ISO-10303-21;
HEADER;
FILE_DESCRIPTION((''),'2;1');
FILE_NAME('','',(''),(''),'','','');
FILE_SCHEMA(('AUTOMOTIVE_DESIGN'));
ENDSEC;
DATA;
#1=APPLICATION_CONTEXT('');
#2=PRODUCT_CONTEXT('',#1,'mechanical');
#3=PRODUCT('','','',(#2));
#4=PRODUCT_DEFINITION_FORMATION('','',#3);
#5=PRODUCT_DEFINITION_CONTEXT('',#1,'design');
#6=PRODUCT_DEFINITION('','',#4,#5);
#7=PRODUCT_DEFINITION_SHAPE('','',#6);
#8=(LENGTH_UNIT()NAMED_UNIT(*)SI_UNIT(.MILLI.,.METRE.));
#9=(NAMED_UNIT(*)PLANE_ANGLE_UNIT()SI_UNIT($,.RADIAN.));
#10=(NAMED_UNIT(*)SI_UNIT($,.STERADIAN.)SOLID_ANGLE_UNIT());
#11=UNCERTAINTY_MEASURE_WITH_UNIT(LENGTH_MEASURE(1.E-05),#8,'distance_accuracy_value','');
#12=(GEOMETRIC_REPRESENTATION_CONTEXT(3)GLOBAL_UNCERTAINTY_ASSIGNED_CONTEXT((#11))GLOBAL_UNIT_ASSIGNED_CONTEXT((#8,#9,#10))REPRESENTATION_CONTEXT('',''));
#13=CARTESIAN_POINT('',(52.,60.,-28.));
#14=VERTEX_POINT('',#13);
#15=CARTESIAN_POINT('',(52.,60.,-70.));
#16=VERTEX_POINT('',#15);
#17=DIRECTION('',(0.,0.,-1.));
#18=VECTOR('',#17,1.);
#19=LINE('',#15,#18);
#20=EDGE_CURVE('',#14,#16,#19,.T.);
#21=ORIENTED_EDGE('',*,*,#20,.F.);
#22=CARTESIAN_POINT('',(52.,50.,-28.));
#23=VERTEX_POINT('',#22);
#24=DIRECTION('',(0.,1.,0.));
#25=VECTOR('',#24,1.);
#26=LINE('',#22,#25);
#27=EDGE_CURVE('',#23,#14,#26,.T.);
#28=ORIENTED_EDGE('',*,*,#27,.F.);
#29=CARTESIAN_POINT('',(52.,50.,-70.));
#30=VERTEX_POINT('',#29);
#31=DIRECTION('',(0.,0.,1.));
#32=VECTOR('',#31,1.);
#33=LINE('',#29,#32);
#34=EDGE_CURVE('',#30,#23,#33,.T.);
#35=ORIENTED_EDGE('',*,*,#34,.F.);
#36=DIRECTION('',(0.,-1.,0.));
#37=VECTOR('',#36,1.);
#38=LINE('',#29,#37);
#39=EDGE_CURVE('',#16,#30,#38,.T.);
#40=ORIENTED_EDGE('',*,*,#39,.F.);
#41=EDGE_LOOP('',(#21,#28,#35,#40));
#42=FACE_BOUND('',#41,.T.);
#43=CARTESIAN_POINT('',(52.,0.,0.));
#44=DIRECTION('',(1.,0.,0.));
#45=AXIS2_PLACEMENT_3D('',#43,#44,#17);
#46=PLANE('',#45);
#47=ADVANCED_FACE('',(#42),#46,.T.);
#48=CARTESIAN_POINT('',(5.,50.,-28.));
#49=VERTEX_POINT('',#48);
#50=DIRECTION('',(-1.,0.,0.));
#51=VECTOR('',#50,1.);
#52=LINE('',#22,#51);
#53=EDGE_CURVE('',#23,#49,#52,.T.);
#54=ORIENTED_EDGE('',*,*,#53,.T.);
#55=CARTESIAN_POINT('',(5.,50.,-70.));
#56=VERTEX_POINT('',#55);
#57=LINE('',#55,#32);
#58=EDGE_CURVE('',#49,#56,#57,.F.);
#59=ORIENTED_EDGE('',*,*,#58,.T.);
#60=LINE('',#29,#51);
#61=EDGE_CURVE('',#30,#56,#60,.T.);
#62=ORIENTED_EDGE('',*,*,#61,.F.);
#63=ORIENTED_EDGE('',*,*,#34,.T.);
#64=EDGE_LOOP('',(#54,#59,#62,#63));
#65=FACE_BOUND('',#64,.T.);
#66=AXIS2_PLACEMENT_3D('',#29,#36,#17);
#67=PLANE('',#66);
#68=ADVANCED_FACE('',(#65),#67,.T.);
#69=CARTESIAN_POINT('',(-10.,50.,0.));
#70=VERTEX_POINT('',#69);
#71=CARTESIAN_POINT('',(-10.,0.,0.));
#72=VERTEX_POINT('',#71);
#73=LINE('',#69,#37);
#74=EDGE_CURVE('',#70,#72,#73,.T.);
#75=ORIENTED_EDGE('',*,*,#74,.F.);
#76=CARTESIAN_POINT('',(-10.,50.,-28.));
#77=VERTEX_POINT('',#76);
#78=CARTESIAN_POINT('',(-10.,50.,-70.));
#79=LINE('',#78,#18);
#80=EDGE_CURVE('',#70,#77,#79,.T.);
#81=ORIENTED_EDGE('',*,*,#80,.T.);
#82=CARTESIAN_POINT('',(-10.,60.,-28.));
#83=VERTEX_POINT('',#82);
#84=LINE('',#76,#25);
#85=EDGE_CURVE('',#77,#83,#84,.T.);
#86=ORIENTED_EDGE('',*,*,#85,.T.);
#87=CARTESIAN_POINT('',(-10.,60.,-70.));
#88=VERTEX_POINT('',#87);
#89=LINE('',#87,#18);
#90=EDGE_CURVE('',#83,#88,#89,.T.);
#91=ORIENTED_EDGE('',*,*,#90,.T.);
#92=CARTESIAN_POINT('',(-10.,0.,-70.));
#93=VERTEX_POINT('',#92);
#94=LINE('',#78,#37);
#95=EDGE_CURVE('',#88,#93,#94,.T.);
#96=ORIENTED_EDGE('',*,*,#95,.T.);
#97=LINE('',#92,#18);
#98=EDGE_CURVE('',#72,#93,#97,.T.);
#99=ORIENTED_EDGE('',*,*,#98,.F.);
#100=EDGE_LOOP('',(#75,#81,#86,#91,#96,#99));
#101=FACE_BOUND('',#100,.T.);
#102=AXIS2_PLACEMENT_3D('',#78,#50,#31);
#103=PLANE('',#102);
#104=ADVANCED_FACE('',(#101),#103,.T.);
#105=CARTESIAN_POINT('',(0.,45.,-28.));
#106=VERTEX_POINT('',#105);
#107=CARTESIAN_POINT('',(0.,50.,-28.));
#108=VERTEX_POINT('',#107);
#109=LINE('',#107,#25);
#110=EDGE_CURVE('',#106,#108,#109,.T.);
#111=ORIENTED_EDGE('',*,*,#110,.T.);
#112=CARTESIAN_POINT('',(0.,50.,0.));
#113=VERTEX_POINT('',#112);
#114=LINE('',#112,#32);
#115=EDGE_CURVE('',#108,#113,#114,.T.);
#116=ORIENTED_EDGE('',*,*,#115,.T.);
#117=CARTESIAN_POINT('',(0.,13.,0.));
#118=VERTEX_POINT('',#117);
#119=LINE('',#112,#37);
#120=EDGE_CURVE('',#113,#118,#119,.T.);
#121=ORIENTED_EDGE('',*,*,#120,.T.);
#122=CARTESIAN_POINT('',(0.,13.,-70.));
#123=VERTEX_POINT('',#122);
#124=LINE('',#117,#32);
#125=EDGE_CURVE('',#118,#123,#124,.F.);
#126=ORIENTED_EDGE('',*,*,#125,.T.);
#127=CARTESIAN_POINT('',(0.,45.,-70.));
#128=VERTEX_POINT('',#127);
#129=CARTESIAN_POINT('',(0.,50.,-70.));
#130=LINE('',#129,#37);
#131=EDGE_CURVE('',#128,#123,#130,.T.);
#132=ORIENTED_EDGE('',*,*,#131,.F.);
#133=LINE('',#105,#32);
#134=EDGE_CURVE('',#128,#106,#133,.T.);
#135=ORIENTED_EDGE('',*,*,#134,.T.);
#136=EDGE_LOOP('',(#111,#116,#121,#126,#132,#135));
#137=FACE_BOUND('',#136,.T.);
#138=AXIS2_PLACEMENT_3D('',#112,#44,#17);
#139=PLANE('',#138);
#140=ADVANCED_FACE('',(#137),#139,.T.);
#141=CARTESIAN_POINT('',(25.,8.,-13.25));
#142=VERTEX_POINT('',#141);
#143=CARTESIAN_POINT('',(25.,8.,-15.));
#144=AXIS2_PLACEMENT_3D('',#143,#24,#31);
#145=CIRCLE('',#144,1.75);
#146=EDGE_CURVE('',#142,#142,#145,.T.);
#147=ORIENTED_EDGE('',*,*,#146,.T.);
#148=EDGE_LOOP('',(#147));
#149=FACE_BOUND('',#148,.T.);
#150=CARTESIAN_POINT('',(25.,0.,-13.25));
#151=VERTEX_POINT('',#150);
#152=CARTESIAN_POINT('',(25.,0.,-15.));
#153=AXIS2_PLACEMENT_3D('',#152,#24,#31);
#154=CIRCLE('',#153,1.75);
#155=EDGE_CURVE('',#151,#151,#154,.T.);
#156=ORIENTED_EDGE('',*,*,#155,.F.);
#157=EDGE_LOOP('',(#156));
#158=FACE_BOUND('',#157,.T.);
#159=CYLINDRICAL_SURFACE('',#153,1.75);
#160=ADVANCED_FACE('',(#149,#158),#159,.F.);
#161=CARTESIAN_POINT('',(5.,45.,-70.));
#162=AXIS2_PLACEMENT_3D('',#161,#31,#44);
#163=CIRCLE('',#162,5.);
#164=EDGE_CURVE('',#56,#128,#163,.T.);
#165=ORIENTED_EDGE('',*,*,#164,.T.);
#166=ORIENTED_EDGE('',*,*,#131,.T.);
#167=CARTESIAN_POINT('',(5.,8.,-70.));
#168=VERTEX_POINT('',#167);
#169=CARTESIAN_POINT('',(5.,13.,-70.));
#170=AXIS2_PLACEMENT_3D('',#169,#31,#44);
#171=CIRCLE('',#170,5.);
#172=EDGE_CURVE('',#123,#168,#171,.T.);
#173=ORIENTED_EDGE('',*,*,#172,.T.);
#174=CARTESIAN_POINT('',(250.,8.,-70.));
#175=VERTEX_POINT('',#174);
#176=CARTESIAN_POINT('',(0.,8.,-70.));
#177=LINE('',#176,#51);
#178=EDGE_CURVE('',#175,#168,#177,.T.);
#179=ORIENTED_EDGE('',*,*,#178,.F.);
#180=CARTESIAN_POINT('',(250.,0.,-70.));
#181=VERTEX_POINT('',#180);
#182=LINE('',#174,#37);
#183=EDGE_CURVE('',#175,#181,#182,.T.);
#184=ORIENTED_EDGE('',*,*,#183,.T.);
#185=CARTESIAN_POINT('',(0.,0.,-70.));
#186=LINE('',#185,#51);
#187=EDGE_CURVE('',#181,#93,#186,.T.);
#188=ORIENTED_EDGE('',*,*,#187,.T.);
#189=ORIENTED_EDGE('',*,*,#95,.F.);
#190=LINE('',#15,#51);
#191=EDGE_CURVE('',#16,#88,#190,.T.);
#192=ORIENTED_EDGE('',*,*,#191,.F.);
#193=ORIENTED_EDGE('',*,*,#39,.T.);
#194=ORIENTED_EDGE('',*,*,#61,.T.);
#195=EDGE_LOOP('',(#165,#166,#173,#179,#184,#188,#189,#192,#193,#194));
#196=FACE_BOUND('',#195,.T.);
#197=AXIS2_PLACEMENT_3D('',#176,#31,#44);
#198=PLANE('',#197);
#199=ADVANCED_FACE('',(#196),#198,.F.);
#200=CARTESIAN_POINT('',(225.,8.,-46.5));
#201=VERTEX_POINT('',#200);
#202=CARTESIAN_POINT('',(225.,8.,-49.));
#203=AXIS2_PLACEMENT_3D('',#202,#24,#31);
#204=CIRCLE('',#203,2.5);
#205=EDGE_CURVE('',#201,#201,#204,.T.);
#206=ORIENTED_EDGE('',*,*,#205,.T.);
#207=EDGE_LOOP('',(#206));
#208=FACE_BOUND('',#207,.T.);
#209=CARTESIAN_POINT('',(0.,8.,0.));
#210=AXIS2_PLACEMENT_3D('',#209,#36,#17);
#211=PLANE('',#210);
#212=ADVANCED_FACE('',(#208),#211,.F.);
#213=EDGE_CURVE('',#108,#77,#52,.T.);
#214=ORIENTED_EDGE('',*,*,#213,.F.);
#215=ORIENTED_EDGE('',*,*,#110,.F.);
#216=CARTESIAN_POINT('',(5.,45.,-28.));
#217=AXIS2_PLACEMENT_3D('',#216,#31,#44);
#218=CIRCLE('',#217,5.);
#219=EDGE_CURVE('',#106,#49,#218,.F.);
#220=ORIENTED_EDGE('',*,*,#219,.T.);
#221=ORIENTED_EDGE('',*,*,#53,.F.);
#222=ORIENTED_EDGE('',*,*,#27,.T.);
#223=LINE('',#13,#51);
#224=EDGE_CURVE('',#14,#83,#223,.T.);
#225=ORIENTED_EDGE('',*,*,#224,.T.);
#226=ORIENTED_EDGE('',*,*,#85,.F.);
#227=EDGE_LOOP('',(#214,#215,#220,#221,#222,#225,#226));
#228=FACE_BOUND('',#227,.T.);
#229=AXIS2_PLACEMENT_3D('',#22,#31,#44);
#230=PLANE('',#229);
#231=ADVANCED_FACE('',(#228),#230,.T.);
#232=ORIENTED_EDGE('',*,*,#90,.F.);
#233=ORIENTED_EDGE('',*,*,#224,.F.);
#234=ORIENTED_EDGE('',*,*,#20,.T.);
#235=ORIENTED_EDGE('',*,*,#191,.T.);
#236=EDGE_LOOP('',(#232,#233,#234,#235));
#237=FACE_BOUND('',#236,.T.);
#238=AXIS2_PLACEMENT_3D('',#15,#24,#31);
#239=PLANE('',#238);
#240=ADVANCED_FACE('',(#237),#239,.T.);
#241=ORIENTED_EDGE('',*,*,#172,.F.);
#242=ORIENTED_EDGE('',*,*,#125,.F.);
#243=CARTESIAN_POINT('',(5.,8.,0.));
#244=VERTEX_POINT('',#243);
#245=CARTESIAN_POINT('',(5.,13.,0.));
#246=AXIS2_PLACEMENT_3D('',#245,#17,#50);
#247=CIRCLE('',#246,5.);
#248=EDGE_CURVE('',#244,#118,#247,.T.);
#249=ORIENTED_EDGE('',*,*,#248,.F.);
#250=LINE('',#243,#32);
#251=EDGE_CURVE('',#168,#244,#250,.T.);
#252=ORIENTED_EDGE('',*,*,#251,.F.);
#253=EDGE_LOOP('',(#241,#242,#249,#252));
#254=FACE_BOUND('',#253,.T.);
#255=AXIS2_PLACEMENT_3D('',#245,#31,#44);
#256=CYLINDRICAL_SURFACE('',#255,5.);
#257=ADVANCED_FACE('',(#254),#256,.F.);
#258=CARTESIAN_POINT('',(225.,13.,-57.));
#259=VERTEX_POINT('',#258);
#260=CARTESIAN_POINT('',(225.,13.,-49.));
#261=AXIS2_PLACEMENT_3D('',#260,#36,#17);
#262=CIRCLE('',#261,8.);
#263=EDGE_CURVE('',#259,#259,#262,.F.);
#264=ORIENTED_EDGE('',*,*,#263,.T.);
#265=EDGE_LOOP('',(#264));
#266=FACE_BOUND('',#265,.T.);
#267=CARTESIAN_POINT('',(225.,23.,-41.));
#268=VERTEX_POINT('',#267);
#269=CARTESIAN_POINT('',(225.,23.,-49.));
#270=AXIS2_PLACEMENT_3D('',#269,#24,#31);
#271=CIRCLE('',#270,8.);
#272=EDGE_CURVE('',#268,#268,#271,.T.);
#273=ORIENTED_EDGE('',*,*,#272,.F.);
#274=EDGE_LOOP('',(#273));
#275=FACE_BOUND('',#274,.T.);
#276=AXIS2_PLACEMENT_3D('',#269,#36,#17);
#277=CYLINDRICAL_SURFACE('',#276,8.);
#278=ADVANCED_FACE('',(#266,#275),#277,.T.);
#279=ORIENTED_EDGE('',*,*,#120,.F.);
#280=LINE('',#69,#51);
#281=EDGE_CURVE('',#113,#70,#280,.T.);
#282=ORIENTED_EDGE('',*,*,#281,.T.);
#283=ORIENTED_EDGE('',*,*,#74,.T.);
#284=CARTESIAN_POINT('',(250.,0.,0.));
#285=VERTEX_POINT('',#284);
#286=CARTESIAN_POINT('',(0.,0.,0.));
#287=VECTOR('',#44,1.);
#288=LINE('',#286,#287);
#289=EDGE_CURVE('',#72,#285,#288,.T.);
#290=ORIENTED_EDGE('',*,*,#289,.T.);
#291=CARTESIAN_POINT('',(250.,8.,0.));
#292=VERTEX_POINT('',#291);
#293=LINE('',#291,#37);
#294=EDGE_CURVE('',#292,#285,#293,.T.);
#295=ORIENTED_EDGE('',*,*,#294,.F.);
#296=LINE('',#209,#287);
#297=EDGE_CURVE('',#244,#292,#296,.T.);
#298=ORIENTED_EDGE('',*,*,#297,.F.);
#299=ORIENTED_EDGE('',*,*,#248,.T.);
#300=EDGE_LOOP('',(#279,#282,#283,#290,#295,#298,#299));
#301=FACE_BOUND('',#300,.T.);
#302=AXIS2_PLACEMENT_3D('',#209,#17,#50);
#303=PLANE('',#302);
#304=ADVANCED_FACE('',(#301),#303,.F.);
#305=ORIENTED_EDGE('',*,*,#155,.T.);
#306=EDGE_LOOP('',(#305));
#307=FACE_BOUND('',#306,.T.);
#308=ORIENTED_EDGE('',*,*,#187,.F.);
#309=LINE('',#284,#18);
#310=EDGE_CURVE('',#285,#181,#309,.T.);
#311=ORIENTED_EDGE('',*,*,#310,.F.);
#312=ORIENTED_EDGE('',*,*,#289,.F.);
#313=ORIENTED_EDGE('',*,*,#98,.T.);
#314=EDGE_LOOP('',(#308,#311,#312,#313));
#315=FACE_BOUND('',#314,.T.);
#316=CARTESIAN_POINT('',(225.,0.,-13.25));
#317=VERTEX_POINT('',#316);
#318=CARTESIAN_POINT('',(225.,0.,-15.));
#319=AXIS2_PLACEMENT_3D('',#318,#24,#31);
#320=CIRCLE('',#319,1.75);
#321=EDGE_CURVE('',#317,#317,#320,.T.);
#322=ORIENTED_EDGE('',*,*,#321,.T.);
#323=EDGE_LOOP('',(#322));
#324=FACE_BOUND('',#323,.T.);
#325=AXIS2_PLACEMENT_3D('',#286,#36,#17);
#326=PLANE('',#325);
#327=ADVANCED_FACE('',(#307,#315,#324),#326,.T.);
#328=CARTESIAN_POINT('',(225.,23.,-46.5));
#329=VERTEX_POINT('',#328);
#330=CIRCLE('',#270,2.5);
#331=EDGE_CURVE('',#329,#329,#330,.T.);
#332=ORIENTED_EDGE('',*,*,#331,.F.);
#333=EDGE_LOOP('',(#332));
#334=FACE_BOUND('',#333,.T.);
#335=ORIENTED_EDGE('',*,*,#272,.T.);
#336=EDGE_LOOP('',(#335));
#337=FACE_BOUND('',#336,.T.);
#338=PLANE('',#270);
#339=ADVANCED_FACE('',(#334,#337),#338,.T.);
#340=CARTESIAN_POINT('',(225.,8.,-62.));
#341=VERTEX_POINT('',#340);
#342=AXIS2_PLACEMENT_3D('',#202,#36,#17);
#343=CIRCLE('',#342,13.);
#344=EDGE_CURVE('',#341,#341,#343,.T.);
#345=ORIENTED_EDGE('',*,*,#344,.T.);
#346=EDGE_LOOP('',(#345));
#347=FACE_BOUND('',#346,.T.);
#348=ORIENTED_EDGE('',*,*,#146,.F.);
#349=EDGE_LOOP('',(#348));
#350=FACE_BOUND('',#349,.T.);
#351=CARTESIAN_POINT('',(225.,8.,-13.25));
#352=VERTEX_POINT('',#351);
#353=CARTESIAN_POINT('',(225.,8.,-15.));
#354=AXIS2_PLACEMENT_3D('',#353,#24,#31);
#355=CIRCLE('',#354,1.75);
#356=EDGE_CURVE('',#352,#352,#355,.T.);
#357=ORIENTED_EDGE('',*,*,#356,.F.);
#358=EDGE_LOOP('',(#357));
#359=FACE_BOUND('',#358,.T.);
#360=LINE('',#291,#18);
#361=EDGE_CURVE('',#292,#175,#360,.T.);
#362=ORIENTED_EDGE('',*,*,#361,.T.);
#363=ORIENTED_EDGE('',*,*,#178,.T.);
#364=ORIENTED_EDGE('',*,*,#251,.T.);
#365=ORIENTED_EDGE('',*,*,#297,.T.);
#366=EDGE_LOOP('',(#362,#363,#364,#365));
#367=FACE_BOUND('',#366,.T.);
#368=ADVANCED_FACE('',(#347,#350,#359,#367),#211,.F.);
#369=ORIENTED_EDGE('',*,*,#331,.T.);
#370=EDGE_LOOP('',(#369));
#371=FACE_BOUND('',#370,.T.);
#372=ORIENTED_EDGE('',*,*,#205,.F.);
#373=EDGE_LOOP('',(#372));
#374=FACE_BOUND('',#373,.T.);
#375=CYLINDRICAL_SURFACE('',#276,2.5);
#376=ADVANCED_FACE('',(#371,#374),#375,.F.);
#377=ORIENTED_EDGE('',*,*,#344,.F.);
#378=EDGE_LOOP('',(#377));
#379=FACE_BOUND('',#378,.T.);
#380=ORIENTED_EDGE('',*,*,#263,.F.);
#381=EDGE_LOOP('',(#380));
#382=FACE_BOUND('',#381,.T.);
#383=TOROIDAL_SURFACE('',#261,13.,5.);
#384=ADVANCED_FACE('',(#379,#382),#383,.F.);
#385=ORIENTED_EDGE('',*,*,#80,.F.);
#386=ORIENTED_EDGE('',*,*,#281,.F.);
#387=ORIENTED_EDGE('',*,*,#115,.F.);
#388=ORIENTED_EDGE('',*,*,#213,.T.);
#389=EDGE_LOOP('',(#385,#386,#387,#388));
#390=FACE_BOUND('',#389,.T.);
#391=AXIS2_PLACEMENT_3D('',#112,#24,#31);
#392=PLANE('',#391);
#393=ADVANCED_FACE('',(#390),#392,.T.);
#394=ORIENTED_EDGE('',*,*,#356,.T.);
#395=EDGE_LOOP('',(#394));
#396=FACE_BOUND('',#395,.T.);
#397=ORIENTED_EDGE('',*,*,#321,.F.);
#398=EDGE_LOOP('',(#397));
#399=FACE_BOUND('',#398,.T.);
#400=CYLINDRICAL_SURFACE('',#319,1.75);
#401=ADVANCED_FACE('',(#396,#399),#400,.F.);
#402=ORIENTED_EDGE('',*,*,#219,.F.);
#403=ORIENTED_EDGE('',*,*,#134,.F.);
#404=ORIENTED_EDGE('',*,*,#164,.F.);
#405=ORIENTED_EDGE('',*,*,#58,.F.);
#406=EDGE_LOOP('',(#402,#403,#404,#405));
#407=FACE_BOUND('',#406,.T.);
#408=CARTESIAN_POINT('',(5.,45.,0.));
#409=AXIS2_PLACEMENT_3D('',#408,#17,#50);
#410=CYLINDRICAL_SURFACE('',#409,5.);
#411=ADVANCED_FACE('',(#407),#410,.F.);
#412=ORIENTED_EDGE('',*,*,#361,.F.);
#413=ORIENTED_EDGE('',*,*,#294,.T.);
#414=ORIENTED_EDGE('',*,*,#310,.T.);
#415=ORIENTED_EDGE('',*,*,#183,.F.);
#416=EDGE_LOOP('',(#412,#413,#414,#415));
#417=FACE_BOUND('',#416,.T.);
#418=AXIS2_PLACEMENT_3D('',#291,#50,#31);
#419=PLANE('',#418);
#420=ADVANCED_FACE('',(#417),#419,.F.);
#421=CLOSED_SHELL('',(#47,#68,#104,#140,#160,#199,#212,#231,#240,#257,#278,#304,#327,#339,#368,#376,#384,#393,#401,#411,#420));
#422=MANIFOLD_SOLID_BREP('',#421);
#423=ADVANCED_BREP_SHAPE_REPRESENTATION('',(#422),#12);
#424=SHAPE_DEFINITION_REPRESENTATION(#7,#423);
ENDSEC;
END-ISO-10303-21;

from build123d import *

# Parameters (mm, degrees)
SKETCH_1_W          = 250
SKETCH_1_H          = 70
EXTRUDE_1_DEPTH     = 8
SKETCH_2_R          = 1.75
CUT_EXTRUDE_1_DEPTH = 8
SKETCH_3_W          = 10
SKETCH_3_H          = 70
EXTRUDE_2_DEPTH     = 50
SKETCH_4_W          = 42
SKETCH_4_H          = 10
EXTRUDE_3_DEPTH     = 62
FILLET_2_R          = 5
SKETCH_6_R          = 8
SKETCH_6_R_2        = 2.5
EXTRUDE_4_DEPTH     = 15
FILLET_3_R          = 5


with BuildPart() as part:
    # 草图1 → 凸台-拉伸1 (new body)
    with BuildSketch(Plane(origin=(0, 0, 0), x_dir=(1, 0, 0), z_dir=(0, 1, 0))):
        with Locations((125, 35)):
            Rectangle(SKETCH_1_W, SKETCH_1_H)
    extrude(amount=EXTRUDE_1_DEPTH)

    # 草图2 → 切除-拉伸1 (cut)
    with BuildSketch(Plane(origin=(0, 8, 0), x_dir=(1, 0, 0), z_dir=(0, 1, 0))):
        with Locations(Location((25, 15, 0), (0, 0, 270))):
            Circle(SKETCH_2_R)
        with Locations(Location((225, 15, 0), (0, 0, 270))):
            Circle(SKETCH_2_R)
    extrude(amount=-CUT_EXTRUDE_1_DEPTH, mode=Mode.SUBTRACT)

    # 草图3 → 凸台-拉伸2 (add)
    with BuildSketch(Plane.XZ):
        with Locations((-5, -35)):
            Rectangle(SKETCH_3_W, SKETCH_3_H)
    extrude(amount=-EXTRUDE_2_DEPTH)

    # 草图4 → 凸台-拉伸3 (add)
    with BuildSketch(Plane.ZY.offset(10)):
        with Locations((-49, 55)):
            Rectangle(SKETCH_4_W, SKETCH_4_H)
    extrude(amount=-EXTRUDE_3_DEPTH)

    # 圆角2
    fillet_2_edges = [part.edges().sort_by_distance(p)[0] for p in [
        (0, 50, -49),
        (0, 8, -35),
    ]]
    fillet(fillet_2_edges, radius=FILLET_2_R)

    # 草图6 → 凸台-拉伸4 (add)
    with BuildSketch(Plane(origin=(0, 8, 0), x_dir=(1, 0, 0), z_dir=(0, 1, 0))):
        with Locations(Location((225, 49, 0), (0, 0, 90))):
            Circle(SKETCH_6_R)
        with Locations(Location((225, 49, 0), (0, 0, 270))):
            Circle(SKETCH_6_R_2, mode=Mode.SUBTRACT)
    extrude(amount=EXTRUDE_4_DEPTH)

    # 圆角3
    fillet_3_edges = [part.edges().sort_by_distance(p)[0] for p in [
        (225, 8, -41),
    ]]
    fillet(fillet_3_edges, radius=FILLET_3_R)


solid = part.part
